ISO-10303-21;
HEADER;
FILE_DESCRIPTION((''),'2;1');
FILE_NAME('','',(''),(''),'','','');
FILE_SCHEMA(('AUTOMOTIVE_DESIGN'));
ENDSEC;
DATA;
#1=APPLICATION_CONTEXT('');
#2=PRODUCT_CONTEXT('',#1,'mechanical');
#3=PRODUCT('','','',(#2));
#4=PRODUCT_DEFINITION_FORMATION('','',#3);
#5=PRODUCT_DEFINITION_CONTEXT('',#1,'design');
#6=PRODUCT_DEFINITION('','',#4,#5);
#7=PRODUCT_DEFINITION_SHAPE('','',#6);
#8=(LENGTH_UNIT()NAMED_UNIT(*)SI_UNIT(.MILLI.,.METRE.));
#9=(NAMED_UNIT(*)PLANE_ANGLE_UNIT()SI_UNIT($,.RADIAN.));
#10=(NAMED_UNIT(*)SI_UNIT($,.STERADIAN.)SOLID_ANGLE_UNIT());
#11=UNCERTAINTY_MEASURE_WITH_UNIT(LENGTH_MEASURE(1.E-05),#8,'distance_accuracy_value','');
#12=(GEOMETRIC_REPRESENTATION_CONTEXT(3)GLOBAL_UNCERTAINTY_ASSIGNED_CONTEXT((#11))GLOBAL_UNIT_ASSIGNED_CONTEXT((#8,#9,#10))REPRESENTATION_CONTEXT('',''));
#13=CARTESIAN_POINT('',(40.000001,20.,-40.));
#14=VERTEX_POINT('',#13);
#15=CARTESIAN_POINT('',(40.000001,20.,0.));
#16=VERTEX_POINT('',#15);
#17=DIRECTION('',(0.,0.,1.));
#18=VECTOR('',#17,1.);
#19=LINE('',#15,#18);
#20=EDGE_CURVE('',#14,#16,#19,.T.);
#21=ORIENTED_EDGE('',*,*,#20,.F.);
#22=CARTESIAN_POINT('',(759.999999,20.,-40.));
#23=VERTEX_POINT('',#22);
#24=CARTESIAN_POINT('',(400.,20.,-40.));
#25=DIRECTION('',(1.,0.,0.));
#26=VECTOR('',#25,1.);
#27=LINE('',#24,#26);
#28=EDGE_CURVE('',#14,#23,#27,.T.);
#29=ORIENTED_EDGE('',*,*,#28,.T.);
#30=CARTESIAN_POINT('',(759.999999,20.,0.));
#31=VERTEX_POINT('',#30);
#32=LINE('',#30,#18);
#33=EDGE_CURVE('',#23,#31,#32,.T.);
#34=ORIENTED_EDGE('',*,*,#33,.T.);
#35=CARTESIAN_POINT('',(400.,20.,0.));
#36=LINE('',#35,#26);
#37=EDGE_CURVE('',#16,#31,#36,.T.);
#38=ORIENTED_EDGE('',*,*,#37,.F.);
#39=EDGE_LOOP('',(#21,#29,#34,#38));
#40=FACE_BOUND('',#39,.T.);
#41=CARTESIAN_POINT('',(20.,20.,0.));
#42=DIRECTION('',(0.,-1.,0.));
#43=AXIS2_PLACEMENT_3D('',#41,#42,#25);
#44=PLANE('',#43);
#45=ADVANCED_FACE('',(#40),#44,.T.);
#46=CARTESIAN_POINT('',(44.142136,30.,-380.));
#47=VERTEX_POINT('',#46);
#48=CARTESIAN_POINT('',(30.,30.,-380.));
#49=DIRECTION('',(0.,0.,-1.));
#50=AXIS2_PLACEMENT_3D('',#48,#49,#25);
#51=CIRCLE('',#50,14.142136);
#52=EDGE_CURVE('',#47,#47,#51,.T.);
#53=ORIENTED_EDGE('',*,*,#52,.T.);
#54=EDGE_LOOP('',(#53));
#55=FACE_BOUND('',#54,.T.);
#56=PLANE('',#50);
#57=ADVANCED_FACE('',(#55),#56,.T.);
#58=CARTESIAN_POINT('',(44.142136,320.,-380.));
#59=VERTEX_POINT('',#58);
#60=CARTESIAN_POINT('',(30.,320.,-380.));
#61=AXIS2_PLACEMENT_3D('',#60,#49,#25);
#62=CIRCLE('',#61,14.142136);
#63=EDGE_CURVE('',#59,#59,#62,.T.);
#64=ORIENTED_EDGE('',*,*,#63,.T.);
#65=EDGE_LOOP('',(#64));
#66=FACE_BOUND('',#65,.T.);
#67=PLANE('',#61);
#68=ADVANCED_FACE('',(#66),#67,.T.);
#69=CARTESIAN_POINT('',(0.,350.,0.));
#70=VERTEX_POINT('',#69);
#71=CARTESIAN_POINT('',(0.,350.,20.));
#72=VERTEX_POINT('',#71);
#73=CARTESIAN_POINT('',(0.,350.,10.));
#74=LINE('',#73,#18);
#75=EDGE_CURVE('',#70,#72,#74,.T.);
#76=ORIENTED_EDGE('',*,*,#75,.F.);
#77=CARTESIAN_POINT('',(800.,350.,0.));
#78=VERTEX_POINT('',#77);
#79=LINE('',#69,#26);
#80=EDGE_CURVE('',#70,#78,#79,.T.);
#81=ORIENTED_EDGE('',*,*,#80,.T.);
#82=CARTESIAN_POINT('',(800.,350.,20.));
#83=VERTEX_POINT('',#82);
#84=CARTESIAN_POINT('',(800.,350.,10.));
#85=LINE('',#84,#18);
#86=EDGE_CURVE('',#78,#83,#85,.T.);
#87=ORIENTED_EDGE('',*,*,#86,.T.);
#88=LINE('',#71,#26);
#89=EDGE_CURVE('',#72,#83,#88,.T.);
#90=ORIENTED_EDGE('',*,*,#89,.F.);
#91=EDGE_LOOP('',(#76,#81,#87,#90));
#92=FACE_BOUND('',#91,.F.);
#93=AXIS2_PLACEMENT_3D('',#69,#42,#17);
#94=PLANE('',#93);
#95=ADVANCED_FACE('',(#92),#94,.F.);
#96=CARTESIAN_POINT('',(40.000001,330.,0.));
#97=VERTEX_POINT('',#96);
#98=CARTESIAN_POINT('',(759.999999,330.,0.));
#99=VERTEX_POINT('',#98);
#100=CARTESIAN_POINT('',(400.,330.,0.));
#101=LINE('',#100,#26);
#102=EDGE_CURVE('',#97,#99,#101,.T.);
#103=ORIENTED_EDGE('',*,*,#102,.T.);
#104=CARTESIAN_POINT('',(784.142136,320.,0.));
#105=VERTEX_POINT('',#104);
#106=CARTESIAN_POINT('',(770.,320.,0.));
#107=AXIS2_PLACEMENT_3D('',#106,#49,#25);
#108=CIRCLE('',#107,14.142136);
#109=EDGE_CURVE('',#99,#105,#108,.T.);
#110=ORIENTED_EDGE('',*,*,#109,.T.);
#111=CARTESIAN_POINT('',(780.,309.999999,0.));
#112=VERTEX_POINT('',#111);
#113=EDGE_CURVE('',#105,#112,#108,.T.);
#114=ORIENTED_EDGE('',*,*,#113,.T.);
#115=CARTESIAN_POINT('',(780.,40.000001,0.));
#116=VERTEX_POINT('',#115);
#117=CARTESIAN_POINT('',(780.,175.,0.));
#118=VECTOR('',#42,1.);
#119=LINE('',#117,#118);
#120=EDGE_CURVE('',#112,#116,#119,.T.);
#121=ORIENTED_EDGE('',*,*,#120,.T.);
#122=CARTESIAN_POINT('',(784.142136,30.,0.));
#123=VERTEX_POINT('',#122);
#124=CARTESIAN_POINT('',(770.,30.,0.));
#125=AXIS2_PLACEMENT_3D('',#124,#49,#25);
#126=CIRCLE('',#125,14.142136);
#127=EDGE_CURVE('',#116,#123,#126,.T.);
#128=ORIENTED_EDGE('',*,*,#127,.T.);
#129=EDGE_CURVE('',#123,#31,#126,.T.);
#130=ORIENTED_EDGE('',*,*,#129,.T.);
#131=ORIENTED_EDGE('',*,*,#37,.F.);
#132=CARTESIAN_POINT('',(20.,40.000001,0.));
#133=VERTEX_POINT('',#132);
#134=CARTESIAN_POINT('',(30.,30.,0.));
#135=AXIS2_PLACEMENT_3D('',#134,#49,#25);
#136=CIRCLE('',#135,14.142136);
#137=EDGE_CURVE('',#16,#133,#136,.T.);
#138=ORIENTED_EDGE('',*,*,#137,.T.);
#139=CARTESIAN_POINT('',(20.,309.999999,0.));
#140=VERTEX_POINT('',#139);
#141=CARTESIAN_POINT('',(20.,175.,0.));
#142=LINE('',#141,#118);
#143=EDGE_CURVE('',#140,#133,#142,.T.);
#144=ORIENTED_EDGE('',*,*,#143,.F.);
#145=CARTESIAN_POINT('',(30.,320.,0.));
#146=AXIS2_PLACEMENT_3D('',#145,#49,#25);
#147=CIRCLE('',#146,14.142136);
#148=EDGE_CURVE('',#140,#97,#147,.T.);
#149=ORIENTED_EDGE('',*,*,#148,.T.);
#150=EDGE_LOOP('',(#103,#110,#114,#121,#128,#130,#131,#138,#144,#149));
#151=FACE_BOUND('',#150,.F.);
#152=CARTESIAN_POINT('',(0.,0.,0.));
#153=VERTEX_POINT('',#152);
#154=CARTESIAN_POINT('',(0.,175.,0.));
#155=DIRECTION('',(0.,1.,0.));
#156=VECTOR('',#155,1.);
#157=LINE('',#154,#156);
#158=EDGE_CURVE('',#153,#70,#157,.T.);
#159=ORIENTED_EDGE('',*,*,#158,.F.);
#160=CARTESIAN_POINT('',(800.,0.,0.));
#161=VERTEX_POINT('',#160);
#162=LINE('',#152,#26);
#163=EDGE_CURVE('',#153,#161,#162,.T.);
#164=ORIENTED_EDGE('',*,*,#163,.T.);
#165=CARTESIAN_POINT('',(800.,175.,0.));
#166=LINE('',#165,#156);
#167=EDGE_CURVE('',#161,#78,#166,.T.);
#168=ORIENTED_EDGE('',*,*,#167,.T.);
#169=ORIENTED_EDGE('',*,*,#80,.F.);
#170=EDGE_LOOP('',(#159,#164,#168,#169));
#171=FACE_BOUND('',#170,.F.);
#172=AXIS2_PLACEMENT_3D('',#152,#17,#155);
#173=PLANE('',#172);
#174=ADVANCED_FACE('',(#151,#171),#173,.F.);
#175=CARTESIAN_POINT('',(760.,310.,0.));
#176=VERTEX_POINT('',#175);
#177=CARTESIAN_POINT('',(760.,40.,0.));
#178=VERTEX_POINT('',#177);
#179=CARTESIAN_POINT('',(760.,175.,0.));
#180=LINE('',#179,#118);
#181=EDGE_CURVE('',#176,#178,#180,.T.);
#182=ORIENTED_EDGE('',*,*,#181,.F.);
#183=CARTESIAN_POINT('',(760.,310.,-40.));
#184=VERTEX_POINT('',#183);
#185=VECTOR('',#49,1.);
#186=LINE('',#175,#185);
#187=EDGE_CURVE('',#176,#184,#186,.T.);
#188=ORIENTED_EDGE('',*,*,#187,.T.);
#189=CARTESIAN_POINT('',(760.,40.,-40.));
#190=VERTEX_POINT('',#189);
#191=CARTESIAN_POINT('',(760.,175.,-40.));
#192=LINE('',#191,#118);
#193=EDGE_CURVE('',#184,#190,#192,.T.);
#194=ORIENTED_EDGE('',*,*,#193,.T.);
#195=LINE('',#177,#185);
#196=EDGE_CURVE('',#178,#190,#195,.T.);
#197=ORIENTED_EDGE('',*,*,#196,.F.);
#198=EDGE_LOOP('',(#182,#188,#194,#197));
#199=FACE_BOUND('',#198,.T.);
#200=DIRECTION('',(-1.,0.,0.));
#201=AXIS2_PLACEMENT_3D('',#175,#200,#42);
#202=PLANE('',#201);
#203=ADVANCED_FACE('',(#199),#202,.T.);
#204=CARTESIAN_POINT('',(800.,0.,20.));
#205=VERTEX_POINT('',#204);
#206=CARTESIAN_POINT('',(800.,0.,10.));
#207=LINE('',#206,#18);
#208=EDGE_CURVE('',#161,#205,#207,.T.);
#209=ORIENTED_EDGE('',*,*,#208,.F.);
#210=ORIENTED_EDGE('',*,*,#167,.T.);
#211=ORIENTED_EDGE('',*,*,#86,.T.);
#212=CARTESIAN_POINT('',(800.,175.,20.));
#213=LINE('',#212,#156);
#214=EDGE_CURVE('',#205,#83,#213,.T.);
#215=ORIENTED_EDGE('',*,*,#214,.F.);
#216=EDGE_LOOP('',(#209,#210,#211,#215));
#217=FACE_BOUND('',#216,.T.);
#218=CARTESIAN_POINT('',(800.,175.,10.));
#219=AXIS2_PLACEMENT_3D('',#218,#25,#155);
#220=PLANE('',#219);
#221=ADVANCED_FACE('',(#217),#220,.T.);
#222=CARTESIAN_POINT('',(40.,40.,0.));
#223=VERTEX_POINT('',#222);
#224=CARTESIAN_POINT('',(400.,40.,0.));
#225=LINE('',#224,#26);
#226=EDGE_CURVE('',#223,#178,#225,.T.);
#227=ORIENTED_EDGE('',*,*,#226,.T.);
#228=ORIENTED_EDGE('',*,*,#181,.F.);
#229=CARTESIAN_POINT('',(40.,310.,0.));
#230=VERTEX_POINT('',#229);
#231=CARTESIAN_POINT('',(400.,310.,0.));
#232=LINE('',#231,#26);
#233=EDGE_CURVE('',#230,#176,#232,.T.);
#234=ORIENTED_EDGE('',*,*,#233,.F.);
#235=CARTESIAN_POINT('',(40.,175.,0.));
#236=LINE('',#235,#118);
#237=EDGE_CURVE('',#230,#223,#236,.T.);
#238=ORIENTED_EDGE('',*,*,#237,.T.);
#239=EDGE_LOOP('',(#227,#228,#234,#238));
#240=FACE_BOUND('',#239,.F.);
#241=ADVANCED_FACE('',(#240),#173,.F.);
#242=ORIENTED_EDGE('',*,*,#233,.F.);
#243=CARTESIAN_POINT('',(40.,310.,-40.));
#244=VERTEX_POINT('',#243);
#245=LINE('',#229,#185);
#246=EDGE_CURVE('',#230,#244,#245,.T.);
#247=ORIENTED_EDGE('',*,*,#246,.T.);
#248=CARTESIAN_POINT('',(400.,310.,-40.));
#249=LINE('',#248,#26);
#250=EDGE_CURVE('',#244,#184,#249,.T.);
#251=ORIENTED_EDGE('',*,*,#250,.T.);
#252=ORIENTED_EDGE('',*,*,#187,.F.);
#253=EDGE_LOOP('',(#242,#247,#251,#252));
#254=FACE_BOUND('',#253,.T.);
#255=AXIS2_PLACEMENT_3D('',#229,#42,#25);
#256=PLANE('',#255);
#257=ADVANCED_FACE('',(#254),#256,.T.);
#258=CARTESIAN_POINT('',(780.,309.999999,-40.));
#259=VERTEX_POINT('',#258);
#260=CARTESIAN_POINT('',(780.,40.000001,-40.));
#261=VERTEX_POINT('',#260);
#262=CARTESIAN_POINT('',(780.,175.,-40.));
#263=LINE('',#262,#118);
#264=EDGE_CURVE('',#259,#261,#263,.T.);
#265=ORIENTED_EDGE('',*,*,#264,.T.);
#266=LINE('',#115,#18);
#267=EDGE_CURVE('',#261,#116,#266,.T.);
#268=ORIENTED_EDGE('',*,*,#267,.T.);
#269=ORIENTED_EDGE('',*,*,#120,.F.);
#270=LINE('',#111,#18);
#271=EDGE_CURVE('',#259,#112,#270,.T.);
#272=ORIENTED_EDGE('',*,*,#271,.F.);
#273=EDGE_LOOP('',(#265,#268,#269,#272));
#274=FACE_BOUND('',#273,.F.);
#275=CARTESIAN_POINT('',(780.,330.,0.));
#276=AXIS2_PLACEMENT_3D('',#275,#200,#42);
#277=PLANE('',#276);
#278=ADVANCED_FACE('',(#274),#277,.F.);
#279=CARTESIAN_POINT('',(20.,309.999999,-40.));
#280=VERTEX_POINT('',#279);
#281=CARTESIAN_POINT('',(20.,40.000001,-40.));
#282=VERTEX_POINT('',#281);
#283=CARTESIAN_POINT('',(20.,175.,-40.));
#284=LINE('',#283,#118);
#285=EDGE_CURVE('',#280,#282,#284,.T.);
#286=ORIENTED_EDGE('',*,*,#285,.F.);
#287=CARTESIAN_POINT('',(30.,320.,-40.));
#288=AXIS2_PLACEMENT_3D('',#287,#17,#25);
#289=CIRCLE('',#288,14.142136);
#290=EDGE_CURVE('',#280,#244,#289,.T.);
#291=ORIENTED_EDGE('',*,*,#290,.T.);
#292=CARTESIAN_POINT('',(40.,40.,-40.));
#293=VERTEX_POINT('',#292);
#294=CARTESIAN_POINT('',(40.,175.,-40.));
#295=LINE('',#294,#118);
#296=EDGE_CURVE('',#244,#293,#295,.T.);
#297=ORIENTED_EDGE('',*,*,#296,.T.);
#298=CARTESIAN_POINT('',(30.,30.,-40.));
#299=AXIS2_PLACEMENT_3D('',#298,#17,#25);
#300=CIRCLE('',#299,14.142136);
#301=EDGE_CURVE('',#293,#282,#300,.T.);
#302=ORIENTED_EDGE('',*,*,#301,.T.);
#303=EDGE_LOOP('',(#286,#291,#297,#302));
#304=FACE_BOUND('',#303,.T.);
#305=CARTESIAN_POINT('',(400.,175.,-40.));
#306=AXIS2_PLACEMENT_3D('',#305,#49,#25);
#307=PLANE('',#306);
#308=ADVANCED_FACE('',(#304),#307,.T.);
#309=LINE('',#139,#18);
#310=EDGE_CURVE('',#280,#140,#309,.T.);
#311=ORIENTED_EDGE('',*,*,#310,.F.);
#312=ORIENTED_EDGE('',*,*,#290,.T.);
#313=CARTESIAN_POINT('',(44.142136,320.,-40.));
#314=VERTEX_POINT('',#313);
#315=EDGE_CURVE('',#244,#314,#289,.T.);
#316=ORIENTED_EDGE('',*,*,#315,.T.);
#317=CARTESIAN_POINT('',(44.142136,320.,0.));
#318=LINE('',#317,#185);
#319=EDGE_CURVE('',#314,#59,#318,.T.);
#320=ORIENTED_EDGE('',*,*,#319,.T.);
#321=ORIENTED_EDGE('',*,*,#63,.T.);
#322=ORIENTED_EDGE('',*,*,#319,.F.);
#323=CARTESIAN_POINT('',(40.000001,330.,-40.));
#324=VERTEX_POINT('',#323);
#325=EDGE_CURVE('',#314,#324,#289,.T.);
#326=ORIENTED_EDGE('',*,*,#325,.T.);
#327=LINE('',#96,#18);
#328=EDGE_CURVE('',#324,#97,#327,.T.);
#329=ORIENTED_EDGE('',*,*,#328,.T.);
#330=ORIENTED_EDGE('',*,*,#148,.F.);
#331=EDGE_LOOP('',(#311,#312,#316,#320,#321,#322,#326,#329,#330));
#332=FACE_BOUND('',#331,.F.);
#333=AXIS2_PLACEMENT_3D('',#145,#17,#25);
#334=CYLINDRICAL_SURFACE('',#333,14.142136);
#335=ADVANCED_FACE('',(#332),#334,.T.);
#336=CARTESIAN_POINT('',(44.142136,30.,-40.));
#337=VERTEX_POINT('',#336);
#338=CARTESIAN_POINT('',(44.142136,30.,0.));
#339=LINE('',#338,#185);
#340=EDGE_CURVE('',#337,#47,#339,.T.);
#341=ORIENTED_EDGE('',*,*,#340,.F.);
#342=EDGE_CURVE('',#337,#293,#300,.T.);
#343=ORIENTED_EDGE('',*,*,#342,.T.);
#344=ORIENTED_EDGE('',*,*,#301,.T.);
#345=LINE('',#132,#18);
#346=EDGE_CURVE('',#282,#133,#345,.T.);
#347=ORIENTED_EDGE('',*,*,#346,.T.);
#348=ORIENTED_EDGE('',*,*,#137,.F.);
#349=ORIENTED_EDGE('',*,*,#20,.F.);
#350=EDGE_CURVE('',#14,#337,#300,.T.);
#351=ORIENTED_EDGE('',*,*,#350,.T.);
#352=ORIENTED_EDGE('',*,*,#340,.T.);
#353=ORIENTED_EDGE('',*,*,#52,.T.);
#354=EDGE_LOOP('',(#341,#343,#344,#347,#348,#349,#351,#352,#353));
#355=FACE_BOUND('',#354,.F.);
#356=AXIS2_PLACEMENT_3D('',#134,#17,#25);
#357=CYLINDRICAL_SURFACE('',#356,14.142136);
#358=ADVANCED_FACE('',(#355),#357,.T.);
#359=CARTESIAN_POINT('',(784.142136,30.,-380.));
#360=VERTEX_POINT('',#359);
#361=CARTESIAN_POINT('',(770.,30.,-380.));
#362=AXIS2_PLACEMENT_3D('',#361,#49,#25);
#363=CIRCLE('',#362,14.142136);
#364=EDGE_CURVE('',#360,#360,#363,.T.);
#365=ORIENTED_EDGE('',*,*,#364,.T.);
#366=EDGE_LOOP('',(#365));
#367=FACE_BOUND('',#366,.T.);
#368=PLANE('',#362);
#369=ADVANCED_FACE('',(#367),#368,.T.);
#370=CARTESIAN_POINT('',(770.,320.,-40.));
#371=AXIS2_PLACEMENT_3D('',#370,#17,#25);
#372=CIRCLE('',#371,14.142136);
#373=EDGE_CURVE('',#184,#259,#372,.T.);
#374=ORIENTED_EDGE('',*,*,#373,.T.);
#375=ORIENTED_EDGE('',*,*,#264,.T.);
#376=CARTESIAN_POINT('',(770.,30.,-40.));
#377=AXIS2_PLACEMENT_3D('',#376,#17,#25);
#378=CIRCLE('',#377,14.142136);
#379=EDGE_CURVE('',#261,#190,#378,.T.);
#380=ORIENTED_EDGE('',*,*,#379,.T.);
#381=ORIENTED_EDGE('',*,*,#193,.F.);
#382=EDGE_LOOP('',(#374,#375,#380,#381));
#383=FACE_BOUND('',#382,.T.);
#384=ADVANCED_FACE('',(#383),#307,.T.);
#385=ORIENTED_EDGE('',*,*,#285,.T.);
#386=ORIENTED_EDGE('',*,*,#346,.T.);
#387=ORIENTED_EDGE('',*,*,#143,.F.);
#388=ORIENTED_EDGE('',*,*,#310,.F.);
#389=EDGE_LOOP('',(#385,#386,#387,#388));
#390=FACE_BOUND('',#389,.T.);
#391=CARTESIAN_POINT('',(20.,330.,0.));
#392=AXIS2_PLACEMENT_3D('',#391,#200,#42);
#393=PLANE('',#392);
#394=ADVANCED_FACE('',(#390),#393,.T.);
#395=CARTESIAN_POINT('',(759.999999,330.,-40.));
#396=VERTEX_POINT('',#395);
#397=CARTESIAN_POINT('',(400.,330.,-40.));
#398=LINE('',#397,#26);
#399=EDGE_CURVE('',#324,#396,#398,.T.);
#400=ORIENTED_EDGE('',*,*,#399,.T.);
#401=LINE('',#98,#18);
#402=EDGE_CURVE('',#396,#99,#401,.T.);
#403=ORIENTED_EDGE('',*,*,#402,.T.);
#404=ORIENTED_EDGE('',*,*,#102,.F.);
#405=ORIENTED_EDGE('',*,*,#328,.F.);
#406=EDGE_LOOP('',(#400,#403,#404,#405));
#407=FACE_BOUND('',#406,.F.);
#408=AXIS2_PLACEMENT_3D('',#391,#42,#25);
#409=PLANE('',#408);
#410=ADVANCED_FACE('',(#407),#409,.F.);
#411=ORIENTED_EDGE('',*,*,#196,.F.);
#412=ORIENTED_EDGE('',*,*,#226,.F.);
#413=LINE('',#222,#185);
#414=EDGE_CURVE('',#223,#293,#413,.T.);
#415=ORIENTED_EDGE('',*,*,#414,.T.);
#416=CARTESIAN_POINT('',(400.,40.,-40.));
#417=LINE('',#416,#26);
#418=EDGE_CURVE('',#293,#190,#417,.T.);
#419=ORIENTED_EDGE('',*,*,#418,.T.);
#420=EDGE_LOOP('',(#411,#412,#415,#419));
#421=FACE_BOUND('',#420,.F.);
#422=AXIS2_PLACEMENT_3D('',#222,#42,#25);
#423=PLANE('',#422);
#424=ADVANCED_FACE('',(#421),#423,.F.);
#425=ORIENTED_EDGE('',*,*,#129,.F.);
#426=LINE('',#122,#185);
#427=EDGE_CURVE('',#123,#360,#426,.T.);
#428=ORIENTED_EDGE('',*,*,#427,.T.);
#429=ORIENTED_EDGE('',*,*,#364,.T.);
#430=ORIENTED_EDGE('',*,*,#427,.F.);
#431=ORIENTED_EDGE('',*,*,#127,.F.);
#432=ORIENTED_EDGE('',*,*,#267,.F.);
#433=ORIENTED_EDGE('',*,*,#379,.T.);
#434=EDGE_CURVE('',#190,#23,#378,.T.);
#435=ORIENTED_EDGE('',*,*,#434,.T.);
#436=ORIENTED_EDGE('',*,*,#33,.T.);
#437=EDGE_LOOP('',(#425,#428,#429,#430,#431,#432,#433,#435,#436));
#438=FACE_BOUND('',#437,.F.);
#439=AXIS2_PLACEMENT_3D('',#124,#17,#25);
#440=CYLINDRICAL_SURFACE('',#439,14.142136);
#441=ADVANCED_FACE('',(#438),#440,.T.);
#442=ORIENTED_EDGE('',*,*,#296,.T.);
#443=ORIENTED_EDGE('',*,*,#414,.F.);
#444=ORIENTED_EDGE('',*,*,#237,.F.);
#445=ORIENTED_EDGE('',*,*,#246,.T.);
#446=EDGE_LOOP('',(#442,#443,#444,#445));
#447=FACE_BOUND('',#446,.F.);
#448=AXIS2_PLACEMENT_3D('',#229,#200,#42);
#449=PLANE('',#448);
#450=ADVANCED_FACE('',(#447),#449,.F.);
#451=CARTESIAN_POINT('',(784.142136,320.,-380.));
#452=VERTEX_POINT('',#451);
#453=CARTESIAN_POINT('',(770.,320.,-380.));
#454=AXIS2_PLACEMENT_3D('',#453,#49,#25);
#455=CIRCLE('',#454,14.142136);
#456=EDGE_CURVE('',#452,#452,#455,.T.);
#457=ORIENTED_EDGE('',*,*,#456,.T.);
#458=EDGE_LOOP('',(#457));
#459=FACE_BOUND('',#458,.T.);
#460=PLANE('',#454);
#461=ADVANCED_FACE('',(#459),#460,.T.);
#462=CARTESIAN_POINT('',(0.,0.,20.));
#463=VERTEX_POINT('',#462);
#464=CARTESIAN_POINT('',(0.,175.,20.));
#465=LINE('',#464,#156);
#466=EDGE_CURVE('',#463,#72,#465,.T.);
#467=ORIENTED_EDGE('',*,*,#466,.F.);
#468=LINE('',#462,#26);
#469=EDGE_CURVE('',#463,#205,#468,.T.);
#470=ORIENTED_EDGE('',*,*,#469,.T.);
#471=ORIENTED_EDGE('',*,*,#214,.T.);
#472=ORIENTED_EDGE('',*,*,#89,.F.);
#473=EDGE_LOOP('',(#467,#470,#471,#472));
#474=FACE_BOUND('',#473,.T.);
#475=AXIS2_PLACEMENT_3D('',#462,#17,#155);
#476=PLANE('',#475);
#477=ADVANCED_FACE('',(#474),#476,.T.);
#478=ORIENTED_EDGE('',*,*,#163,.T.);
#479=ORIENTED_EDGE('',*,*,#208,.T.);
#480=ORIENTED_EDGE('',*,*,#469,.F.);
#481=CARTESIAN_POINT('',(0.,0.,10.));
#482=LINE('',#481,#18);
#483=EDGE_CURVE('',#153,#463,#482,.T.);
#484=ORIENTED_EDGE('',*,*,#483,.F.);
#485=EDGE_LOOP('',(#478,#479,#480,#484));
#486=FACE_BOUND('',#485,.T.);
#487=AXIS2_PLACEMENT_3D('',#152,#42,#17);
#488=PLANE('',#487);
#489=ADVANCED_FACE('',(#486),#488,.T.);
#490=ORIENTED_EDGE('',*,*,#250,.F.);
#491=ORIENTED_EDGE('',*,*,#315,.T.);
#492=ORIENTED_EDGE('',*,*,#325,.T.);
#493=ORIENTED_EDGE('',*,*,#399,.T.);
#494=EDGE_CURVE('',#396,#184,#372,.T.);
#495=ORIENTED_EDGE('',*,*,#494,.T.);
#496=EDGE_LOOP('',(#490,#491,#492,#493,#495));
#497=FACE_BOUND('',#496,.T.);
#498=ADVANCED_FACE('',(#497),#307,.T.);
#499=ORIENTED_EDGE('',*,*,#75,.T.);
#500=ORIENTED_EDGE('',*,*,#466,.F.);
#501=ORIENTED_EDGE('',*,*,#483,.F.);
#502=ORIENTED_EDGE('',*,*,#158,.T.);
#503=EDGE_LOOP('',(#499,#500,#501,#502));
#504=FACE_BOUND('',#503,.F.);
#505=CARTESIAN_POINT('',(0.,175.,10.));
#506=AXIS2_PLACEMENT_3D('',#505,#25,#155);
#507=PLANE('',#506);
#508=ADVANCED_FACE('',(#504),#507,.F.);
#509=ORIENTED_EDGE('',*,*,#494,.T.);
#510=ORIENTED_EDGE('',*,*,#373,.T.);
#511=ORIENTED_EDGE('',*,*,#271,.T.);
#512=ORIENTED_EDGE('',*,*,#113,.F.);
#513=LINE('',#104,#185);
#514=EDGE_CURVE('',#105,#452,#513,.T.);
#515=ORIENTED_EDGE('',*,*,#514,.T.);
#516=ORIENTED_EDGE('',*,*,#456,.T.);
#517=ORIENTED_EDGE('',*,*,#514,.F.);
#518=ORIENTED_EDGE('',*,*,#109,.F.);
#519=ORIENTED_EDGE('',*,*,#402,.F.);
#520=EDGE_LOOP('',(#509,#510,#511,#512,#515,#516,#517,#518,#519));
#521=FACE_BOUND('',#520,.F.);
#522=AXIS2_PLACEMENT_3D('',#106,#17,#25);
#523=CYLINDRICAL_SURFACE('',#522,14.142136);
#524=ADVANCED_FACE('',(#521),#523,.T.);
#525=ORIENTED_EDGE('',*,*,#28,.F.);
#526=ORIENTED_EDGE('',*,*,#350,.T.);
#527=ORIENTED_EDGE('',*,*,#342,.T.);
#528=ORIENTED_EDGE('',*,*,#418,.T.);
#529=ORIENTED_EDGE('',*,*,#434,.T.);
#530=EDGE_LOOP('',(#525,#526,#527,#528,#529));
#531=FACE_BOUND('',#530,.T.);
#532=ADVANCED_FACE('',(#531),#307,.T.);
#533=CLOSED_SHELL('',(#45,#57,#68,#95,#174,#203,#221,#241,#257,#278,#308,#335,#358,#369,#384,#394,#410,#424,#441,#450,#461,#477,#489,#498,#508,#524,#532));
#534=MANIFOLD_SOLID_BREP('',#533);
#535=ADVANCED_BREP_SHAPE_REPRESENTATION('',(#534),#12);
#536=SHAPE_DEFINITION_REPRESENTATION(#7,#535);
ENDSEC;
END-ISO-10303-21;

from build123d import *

# Parameters (mm, degrees)
F0_W     = 350
F0_H     = 20
F1_DEPTH = 800
F2_W     = 760
F2_H     = 310
F2_W_2   = 720
F2_H_2   = 270
F3_DEPTH = 40
F4_R     = 14.142136
F5_DEPTH = 380


with BuildPart() as f1:
    # F0 (on Right) → F1 (new body)
    with BuildSketch(Plane.YZ):
        with Locations((175, 10)):
            Rectangle(F0_W, F0_H)
    extrude(amount=F1_DEPTH)

    # F2 (on face) → F3 (join)
    with BuildSketch(Plane(origin=(0, 0, 0), x_dir=(1, 0, 0), z_dir=(0, 0, -1))):
        with Locations((400, -175)):
            Rectangle(F2_W, F2_H)
        with Locations((400, -175)):
            Rectangle(F2_W_2, F2_H_2, mode=Mode.SUBTRACT)
    extrude(amount=F3_DEPTH)

    # F4 (on face) → F5 (join)
    with BuildSketch(Plane(origin=(0, 0, 0), x_dir=(1, 0, 0), z_dir=(0, 0, -1))):
        with Locations((30, -30)):
            Circle(F4_R)
        with Locations((770, -30)):
            Circle(F4_R)
        with Locations((30, -320)):
            Circle(F4_R)
        with Locations((770, -320)):
            Circle(F4_R)
    extrude(amount=F5_DEPTH)


solid = f1.part
